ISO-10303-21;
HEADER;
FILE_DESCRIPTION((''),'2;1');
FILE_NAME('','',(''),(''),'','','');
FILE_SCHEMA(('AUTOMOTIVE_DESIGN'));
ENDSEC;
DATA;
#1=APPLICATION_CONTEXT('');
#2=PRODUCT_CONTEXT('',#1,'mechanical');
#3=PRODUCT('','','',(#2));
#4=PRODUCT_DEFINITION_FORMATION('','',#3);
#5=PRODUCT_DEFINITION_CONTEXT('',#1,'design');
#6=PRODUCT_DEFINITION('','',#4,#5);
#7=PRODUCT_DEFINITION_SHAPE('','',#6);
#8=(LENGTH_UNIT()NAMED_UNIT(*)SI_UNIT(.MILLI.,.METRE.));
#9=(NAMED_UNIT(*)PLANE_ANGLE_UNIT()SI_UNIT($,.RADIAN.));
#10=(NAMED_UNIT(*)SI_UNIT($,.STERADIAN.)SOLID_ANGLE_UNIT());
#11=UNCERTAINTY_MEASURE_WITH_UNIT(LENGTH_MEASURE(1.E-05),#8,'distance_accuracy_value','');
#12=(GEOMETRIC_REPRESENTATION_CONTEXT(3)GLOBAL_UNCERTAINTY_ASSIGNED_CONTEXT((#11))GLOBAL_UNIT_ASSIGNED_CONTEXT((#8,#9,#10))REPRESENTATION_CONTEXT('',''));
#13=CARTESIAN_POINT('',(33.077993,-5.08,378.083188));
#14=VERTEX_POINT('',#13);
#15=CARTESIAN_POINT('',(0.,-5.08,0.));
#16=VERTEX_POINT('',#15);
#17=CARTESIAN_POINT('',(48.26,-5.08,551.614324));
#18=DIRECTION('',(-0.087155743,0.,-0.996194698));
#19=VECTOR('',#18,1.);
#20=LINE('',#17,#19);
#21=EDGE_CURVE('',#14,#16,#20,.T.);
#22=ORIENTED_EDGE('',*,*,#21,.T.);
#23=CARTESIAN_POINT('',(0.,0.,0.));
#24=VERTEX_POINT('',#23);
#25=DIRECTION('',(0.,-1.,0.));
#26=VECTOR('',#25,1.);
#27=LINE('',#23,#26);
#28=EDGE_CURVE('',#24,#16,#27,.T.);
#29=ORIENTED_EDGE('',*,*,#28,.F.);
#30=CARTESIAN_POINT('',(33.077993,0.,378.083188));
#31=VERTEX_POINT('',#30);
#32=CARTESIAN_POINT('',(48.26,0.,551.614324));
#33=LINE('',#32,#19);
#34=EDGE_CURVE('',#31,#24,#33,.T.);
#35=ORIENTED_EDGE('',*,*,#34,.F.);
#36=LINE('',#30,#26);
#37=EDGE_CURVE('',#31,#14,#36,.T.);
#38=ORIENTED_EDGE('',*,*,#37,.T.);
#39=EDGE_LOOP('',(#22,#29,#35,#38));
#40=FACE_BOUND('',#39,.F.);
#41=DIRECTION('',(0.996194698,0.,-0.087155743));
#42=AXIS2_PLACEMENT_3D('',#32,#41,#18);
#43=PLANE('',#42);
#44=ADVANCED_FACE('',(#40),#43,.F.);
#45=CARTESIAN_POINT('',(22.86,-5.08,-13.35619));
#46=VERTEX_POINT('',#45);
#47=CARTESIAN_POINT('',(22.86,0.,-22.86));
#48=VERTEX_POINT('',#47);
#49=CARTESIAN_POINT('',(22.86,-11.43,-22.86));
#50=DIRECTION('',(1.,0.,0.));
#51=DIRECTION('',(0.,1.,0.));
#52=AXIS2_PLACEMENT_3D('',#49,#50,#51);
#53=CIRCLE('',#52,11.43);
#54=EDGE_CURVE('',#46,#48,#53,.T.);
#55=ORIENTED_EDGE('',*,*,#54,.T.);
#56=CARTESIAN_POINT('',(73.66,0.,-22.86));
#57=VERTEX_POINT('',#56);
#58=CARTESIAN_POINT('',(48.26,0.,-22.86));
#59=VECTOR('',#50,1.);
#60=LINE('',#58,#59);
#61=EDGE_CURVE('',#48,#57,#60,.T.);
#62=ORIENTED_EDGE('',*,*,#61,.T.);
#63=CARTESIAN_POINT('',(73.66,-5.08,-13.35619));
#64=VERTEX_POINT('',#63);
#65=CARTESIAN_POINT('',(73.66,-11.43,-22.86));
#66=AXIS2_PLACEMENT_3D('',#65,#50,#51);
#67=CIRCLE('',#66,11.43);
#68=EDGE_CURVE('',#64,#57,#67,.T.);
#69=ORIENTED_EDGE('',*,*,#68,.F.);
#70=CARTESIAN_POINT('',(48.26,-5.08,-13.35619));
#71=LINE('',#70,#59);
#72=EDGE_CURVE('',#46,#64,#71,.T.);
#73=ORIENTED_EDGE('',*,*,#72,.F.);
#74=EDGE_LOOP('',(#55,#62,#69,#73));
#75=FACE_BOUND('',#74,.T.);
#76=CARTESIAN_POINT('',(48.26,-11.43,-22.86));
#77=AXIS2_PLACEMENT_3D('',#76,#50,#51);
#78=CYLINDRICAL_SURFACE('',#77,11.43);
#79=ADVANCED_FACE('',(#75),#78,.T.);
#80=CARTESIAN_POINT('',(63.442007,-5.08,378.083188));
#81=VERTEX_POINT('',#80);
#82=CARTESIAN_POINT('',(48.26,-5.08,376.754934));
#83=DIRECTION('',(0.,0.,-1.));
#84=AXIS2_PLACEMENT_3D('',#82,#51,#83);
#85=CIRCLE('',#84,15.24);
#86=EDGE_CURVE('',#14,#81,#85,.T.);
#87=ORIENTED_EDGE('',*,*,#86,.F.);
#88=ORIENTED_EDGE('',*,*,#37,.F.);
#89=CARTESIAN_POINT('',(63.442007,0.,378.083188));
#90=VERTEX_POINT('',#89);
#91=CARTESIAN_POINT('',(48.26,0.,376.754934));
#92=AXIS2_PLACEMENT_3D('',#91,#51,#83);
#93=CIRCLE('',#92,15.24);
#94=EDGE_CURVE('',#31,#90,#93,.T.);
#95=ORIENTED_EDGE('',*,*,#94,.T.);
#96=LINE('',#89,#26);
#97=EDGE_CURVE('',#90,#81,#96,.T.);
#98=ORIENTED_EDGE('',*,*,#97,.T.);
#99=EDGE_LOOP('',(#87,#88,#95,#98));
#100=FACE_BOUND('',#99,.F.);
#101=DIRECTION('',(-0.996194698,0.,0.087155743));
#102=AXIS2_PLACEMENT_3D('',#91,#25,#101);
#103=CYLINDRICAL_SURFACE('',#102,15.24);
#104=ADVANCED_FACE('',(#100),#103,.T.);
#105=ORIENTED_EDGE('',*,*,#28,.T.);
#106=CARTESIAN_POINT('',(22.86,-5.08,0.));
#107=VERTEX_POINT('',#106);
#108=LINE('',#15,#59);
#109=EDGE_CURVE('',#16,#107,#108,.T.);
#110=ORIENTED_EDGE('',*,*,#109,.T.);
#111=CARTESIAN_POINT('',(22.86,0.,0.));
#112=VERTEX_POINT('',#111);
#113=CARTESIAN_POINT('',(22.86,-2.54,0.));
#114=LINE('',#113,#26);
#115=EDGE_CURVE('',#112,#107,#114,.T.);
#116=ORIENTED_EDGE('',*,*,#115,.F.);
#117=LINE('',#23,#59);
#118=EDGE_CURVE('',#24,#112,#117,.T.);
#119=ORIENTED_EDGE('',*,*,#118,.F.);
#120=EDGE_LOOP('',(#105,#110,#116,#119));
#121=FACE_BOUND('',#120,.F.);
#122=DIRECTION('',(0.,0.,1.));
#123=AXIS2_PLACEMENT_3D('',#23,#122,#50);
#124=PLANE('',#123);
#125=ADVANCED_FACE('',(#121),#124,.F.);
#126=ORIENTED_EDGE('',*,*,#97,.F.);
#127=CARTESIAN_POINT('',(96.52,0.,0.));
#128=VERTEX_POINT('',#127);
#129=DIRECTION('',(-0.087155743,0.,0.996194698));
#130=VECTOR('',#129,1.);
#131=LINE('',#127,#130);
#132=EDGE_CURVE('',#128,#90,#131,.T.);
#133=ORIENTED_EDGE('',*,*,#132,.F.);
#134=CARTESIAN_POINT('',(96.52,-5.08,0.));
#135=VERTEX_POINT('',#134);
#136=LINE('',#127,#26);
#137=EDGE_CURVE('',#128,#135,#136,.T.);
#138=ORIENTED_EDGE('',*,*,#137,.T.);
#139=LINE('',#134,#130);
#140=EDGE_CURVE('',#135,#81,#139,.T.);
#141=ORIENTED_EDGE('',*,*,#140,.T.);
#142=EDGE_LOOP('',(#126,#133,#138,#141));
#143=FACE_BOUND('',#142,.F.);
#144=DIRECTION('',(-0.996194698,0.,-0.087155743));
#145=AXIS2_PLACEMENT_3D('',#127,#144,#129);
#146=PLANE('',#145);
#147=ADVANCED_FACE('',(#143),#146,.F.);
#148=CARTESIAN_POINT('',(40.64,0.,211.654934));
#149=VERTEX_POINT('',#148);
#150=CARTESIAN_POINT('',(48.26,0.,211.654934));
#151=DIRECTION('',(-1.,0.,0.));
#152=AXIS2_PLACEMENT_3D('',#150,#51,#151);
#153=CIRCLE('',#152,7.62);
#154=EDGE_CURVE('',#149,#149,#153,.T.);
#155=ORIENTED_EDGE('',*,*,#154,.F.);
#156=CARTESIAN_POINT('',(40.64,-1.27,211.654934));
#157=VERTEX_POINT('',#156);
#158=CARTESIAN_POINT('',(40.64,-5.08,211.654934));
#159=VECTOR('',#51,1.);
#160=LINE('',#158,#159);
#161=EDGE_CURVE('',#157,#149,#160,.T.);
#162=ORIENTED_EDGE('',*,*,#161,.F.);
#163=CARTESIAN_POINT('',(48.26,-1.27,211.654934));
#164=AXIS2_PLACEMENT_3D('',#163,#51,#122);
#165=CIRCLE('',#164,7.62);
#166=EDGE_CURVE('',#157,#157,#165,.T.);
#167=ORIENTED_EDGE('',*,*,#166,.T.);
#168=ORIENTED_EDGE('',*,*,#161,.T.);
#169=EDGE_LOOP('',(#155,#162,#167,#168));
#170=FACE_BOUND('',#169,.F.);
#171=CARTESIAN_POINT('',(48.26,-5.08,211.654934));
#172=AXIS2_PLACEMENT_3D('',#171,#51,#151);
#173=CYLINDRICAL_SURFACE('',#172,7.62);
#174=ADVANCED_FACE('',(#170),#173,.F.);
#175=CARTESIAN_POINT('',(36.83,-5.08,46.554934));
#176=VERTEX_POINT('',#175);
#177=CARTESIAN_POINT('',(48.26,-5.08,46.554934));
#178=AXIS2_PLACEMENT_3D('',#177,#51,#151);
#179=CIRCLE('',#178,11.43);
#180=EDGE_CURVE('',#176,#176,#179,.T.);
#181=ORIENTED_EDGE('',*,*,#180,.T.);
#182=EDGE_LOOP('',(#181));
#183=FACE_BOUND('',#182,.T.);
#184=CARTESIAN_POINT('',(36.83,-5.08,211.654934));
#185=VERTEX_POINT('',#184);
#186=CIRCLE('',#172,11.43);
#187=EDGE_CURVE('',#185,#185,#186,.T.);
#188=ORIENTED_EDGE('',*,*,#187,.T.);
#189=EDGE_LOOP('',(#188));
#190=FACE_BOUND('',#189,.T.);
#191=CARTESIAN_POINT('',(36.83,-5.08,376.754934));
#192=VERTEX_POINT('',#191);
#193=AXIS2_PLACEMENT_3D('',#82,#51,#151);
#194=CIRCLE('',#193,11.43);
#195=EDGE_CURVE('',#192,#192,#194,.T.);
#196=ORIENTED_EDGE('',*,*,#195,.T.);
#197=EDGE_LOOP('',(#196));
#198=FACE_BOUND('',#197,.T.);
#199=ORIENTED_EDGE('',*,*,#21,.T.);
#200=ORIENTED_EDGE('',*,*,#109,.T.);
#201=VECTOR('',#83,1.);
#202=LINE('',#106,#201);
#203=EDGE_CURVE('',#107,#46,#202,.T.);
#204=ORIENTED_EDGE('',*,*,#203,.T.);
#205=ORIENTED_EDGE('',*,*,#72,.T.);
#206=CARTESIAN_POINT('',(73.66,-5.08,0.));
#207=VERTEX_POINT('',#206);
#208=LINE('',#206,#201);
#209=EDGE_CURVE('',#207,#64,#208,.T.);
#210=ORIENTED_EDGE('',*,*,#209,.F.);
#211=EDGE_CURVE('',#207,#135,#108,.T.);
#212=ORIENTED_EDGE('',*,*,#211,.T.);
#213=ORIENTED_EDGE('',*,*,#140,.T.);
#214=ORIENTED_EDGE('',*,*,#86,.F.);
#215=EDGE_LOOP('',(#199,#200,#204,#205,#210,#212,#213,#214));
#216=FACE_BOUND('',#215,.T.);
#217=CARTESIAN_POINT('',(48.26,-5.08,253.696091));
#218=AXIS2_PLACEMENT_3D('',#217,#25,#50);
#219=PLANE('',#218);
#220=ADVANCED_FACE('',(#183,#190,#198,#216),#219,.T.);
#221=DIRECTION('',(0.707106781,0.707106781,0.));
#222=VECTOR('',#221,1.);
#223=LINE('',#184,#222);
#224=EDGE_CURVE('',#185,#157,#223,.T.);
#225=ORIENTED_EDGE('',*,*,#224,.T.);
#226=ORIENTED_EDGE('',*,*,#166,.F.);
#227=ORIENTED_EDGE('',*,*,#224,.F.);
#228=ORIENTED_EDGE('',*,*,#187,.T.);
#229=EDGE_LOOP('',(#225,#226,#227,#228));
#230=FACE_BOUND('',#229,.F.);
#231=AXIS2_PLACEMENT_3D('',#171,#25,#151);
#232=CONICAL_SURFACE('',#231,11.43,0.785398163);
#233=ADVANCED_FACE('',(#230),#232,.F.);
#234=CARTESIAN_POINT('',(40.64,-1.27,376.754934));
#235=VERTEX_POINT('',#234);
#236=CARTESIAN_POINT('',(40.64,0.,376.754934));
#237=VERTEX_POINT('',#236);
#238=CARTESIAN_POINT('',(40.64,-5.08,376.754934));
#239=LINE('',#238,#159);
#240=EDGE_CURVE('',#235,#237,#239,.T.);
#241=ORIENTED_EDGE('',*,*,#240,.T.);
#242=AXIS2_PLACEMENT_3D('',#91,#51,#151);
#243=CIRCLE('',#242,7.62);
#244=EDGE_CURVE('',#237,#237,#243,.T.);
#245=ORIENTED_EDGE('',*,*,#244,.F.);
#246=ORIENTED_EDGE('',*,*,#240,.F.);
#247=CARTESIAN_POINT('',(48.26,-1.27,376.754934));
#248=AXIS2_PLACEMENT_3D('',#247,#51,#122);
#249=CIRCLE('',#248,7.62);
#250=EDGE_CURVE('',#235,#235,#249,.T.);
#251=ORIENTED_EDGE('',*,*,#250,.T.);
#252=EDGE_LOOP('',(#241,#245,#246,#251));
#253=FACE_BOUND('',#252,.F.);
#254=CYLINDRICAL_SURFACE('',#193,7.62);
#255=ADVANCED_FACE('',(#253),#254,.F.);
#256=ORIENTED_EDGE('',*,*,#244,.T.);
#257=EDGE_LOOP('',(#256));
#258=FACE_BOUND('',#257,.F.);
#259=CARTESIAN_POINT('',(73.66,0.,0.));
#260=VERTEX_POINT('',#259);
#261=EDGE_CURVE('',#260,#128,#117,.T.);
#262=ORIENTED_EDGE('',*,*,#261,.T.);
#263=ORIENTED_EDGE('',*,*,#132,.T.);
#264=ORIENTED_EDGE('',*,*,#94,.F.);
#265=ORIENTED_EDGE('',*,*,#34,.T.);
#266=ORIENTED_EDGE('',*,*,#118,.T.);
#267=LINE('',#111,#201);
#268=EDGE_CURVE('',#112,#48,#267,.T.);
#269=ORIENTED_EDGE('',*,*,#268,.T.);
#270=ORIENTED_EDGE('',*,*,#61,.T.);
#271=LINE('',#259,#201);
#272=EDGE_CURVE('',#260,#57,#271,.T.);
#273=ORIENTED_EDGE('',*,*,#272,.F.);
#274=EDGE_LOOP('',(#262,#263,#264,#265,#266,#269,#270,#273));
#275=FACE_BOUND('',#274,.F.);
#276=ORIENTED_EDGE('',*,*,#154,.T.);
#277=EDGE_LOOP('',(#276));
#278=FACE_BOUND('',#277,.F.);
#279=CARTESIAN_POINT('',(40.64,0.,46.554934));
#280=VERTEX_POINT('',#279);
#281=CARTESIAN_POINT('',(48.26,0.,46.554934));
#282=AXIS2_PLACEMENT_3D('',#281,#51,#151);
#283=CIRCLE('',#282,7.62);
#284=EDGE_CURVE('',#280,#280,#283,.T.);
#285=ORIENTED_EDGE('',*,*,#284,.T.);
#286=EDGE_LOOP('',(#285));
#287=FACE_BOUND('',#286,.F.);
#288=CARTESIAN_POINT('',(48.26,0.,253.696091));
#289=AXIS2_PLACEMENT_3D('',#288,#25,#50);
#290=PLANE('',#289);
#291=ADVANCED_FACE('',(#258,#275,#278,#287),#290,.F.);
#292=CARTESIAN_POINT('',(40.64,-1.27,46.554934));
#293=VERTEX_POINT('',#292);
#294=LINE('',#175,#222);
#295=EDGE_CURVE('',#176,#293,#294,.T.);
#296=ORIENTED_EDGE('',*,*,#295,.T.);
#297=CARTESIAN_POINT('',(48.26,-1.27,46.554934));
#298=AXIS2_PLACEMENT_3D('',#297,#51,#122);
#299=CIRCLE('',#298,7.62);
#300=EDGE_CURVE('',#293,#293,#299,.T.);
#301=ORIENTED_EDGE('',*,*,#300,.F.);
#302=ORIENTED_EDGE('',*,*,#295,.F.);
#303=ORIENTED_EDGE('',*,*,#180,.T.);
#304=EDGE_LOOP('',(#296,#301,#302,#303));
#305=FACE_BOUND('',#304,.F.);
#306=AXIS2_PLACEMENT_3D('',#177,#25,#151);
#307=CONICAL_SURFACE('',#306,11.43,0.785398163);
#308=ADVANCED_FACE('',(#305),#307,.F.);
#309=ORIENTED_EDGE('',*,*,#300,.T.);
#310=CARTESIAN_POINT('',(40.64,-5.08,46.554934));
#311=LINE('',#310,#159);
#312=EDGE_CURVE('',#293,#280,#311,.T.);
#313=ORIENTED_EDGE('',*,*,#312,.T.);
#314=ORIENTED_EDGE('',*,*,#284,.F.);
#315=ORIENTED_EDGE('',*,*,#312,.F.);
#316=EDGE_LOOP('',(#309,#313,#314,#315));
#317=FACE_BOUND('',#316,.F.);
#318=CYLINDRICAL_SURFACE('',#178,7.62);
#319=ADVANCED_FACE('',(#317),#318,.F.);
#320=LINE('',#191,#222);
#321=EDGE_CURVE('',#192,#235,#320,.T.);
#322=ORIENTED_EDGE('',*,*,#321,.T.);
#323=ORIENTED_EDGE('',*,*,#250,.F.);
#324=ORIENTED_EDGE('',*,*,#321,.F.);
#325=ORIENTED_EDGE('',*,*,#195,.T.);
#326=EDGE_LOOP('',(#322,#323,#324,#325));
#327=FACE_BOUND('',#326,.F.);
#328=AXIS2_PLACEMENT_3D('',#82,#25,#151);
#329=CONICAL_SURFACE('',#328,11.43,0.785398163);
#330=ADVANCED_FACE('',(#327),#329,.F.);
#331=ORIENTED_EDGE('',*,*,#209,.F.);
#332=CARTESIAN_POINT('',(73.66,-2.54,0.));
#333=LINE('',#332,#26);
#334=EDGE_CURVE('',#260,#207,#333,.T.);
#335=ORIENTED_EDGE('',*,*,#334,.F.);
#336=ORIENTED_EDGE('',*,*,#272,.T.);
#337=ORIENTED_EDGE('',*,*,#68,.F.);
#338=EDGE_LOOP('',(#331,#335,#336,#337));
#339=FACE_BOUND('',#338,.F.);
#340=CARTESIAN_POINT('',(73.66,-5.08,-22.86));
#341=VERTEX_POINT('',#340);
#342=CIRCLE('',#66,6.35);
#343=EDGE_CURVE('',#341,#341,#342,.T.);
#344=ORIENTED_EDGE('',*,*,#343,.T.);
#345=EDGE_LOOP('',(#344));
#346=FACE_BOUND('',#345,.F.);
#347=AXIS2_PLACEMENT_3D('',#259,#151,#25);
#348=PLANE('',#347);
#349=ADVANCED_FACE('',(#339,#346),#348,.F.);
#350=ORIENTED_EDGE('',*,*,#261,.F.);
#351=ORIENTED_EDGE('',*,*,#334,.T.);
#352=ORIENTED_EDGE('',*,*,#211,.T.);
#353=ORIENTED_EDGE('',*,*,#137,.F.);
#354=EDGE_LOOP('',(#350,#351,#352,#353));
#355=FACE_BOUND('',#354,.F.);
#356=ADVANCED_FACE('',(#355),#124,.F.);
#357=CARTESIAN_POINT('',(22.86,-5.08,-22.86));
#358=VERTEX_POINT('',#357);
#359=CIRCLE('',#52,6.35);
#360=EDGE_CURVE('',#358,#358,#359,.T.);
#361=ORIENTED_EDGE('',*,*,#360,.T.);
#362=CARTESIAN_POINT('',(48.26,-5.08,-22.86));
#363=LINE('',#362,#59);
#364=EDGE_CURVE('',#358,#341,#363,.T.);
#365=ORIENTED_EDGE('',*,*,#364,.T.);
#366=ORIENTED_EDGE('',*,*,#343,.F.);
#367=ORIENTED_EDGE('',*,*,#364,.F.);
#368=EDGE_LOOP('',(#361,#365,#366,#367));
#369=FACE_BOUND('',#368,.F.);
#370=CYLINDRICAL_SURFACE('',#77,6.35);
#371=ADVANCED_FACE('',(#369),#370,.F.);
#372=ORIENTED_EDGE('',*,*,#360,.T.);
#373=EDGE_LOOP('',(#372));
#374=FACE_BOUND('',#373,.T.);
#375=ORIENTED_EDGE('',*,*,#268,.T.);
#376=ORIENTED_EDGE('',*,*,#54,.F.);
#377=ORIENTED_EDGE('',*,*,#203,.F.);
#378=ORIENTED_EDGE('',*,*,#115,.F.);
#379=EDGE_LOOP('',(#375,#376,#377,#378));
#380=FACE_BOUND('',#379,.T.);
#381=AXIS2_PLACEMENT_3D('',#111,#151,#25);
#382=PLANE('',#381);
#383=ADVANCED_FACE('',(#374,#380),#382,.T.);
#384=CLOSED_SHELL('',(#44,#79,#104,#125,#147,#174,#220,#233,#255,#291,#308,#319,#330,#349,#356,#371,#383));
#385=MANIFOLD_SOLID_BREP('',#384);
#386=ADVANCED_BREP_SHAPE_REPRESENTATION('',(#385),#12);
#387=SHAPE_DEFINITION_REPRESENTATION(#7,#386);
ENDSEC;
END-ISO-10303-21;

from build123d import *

# Parameters (mm, degrees)
F1_DEPTH       = 5.08
F2_W           = 50.8
F2_H           = 5.08
F3_DEPTH       = 22.86
F4_W           = 50.8
F4_H           = 5.08
F6_R           = 15.24
F8_D           = 15.24
F8_CSINK_D     = 22.86
F8_CSINK_ANGLE = 90


with BuildPart() as f1:
    # F0 (on Front) → F1 (new body)
    with BuildSketch(Plane.XZ):
        Polygon((48.26, 551.614324), (0, 0), (96.52, 0), align=None)
    extrude(amount=F1_DEPTH)

    # F2 (on face) → F3 (join)
    with BuildSketch(Plane(origin=(0, 0, 0), x_dir=(1, 0, 0), z_dir=(0, 0, -1))):
        with Locations((48.26, 2.54)):
            Rectangle(F2_W, F2_H)
    extrude(amount=F3_DEPTH)

    # F4 (on face) → F5 (revolve)
    with BuildSketch(Plane(origin=(0, 0, -22.86), x_dir=(1, 0, 0), z_dir=(0, 0, -1))):
        with Locations((48.26, 2.54)):
            Rectangle(F4_W, F4_H)
    revolve(axis=Axis((35.56, -11.43, -22.86), (1, 0, 0)))

    # F6
    f6_edges = [f1.edges().sort_by_distance(p)[0] for p in [
        (48.26, -2.54, 551.614324),
    ]]
    fillet(f6_edges, radius=F6_R)

    # F8 (through all)
    with Locations(Plane.XZ.offset(5.08)):
        with Locations((48.26, 46.554934), (48.26, 211.654934), (48.26, 376.754934)):
            CounterSinkHole(F8_D / 2, F8_CSINK_D / 2, counter_sink_angle=F8_CSINK_ANGLE)


solid = f1.part
